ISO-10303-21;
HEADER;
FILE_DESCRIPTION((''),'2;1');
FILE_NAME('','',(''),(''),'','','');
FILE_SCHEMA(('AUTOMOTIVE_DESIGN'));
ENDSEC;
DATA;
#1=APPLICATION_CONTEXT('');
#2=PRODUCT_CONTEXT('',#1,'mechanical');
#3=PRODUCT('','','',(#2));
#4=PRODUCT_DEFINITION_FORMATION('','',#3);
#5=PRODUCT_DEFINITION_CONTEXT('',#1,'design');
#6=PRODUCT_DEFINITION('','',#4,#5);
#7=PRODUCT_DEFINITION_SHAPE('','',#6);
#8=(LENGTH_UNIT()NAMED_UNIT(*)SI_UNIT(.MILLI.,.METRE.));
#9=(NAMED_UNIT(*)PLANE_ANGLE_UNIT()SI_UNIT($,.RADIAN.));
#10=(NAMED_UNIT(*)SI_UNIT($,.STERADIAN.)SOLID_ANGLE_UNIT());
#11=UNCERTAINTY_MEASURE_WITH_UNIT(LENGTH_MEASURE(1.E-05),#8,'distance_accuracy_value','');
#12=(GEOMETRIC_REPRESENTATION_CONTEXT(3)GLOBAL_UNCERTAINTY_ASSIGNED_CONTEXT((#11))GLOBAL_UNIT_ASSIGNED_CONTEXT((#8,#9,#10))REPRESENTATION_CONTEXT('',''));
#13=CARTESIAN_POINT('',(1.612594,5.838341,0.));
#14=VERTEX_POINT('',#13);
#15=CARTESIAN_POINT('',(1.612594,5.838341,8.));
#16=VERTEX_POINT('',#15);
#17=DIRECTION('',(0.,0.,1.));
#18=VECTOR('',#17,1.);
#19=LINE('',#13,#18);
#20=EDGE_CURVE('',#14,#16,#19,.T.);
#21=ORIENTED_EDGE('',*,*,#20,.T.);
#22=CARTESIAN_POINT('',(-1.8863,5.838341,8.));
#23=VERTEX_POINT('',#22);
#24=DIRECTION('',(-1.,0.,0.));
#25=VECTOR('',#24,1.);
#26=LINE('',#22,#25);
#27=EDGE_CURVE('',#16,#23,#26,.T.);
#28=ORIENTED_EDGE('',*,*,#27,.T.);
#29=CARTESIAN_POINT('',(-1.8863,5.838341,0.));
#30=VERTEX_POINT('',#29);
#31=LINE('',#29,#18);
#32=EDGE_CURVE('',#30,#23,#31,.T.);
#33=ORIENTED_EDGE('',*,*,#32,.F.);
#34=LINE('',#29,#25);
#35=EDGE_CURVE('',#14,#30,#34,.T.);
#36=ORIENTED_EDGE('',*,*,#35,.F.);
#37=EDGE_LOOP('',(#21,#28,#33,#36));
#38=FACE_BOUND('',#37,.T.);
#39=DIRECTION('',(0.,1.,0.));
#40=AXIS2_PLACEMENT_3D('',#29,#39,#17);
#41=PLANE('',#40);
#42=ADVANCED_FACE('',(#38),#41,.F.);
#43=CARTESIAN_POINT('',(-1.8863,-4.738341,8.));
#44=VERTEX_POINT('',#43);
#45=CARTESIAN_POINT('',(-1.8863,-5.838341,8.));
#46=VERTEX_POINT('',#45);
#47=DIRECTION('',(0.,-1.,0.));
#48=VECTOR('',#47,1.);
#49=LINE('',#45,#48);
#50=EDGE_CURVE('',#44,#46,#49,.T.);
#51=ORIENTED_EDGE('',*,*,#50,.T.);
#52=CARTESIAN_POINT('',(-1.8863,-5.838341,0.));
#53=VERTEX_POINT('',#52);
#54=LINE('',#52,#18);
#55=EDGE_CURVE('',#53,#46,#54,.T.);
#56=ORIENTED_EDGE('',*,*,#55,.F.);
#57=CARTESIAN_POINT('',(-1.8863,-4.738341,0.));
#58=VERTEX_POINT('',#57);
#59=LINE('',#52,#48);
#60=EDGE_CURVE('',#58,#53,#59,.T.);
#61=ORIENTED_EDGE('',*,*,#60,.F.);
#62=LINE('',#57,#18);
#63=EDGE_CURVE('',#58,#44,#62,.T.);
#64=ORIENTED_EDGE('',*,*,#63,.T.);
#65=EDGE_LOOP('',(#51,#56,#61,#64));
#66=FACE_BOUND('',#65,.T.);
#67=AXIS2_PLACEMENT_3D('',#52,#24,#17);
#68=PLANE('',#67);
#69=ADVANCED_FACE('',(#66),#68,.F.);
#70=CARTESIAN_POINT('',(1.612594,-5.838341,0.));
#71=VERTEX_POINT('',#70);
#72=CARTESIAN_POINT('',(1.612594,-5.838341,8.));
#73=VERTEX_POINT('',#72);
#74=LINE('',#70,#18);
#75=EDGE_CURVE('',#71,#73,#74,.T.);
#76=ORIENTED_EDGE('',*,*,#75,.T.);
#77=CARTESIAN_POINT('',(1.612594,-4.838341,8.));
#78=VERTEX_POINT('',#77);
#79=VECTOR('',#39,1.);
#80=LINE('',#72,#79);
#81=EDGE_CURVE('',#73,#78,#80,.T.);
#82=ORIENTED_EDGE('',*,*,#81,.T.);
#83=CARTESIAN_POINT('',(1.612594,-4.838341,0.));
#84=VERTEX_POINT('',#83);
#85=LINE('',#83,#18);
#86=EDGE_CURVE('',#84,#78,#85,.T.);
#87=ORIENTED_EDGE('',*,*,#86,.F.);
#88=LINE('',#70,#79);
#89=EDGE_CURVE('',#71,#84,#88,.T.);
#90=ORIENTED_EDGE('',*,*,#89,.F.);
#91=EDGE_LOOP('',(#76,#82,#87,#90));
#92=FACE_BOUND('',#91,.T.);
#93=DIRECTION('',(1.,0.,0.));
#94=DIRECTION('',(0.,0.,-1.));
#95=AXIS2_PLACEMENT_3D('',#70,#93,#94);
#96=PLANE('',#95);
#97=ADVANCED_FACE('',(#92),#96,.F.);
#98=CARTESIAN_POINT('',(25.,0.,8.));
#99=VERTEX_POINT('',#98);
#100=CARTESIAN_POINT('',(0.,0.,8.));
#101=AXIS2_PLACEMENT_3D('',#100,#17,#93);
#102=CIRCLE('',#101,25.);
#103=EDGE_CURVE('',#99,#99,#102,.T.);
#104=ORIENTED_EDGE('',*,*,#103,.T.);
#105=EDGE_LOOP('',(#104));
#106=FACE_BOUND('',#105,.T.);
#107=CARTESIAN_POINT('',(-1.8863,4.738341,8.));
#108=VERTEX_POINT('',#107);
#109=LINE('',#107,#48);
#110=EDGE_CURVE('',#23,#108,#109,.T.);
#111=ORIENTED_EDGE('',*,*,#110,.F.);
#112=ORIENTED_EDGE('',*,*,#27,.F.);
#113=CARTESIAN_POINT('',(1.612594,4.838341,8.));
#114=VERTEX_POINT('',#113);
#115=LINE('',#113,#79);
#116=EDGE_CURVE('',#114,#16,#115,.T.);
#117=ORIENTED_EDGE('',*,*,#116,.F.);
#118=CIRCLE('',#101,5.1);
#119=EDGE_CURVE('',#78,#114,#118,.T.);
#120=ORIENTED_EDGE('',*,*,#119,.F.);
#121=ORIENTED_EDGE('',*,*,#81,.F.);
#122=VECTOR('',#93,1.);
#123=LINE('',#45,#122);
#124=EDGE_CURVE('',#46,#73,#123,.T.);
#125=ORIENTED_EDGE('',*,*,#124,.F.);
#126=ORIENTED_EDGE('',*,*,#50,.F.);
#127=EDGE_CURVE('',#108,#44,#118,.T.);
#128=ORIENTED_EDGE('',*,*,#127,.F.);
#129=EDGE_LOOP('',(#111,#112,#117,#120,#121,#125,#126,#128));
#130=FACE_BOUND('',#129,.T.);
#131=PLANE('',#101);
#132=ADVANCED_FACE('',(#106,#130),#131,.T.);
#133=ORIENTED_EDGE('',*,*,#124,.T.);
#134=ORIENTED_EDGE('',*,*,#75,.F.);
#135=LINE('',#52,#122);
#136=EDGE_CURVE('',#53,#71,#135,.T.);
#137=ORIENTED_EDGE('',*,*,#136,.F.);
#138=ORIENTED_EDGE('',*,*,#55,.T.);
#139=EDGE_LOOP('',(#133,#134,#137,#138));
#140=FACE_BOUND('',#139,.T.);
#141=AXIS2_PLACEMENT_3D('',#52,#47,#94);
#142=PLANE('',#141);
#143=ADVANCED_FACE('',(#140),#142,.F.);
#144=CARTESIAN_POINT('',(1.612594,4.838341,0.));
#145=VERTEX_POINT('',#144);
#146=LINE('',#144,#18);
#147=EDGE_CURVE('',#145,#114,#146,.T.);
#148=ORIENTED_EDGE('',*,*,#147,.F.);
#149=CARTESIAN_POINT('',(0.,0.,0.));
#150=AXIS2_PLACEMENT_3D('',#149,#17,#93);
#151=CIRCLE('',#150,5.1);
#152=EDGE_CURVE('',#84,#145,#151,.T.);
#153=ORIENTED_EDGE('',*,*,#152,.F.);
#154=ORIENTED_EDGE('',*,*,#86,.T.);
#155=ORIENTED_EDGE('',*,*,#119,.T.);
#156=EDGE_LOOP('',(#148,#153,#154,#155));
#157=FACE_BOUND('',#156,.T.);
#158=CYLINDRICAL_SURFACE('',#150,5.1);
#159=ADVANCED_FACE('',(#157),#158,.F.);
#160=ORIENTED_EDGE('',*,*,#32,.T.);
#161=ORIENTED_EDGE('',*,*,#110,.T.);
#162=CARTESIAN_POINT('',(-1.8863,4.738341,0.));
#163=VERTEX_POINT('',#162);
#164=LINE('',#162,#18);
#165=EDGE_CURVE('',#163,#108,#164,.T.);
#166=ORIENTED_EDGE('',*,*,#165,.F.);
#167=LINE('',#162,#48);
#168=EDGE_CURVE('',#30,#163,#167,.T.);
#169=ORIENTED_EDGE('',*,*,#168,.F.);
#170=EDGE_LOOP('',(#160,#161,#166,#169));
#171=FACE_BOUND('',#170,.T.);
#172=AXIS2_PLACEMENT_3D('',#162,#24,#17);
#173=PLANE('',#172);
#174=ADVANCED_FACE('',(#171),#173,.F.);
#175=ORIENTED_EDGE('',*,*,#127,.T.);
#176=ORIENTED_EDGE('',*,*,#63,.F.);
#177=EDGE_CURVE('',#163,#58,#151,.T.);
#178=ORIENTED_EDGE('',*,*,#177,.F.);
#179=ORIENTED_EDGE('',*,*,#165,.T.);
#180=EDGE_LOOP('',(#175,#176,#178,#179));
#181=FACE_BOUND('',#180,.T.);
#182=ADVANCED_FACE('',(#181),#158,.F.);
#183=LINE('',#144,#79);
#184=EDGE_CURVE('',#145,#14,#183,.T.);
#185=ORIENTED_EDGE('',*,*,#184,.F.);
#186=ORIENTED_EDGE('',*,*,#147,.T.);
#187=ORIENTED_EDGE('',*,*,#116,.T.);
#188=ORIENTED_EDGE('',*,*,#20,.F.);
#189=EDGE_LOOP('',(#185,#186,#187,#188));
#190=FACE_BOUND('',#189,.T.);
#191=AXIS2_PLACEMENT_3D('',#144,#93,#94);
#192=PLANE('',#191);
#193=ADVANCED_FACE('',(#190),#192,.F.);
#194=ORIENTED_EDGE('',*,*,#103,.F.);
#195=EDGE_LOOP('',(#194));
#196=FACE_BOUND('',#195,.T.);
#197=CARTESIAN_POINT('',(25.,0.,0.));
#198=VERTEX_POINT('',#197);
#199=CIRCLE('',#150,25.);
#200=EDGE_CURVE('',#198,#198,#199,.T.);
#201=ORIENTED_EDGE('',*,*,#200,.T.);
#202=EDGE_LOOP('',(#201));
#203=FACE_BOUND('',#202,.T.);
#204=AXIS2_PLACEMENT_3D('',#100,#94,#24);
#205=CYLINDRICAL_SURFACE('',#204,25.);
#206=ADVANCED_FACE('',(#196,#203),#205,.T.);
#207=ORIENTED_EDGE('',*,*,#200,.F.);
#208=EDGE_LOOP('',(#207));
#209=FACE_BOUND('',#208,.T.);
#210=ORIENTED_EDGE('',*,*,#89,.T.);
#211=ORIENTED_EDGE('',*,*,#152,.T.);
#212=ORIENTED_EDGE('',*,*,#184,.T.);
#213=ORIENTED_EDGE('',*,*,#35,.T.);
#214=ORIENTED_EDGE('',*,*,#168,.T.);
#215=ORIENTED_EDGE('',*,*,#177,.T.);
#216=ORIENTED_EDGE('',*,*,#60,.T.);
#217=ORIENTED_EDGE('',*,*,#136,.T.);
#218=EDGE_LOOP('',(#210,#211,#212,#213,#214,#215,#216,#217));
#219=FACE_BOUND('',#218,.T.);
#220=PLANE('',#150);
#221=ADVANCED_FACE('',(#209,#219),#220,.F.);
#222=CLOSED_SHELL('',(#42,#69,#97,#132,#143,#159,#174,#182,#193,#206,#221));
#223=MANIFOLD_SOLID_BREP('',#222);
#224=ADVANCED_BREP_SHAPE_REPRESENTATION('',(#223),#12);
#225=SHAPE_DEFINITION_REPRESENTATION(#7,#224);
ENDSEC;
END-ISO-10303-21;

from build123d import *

# Parameters (mm, degrees)
SKETCH1_R           = 25
BOSS_EXTRUDE1_DEPTH = 8
CUT_EXTRUDE1_DEPTH  = 37.249137921


with BuildPart() as part:
    # Sketch1 → Boss-Extrude1 (new body)
    with BuildSketch(Plane(origin=(0, 0, 0), x_dir=(0, 1, 0), z_dir=(0, 0, 1))):
        with Locations(Location((0, 0, 0), (0, 0, 270))):
            Circle(SKETCH1_R)
    extrude(amount=BOSS_EXTRUDE1_DEPTH)

    # Sketch2 → Cut-Extrude1 (cut, through all)
    with BuildSketch(Plane.XY.offset(8)):
        with BuildLine():
            Line((-1.886299685, 4.738340796), (-1.886299685, 5.838340796))
            Line((-1.886299685, 5.838340796), (1.612593669, 5.838340796))
            Line((1.612593669, 5.838340796), (1.612593669, 4.838340796))
            ThreePointArc((1.612593669, 4.838340796), (5.1, 0), (1.612593669, -4.838340796))
            Line((1.612593669, -4.838340796), (1.612593669, -5.838340796))
            Line((1.612593669, -5.838340796), (-1.886299685, -5.838340796))
            Line((-1.886299685, -5.838340796), (-1.886299685, -4.738340796))
            ThreePointArc((-1.886299685, -4.738340796), (-5.1, 0), (-1.886299685, 4.738340796))
        make_face()
    extrude(amount=-CUT_EXTRUDE1_DEPTH, mode=Mode.SUBTRACT)


solid = part.part
